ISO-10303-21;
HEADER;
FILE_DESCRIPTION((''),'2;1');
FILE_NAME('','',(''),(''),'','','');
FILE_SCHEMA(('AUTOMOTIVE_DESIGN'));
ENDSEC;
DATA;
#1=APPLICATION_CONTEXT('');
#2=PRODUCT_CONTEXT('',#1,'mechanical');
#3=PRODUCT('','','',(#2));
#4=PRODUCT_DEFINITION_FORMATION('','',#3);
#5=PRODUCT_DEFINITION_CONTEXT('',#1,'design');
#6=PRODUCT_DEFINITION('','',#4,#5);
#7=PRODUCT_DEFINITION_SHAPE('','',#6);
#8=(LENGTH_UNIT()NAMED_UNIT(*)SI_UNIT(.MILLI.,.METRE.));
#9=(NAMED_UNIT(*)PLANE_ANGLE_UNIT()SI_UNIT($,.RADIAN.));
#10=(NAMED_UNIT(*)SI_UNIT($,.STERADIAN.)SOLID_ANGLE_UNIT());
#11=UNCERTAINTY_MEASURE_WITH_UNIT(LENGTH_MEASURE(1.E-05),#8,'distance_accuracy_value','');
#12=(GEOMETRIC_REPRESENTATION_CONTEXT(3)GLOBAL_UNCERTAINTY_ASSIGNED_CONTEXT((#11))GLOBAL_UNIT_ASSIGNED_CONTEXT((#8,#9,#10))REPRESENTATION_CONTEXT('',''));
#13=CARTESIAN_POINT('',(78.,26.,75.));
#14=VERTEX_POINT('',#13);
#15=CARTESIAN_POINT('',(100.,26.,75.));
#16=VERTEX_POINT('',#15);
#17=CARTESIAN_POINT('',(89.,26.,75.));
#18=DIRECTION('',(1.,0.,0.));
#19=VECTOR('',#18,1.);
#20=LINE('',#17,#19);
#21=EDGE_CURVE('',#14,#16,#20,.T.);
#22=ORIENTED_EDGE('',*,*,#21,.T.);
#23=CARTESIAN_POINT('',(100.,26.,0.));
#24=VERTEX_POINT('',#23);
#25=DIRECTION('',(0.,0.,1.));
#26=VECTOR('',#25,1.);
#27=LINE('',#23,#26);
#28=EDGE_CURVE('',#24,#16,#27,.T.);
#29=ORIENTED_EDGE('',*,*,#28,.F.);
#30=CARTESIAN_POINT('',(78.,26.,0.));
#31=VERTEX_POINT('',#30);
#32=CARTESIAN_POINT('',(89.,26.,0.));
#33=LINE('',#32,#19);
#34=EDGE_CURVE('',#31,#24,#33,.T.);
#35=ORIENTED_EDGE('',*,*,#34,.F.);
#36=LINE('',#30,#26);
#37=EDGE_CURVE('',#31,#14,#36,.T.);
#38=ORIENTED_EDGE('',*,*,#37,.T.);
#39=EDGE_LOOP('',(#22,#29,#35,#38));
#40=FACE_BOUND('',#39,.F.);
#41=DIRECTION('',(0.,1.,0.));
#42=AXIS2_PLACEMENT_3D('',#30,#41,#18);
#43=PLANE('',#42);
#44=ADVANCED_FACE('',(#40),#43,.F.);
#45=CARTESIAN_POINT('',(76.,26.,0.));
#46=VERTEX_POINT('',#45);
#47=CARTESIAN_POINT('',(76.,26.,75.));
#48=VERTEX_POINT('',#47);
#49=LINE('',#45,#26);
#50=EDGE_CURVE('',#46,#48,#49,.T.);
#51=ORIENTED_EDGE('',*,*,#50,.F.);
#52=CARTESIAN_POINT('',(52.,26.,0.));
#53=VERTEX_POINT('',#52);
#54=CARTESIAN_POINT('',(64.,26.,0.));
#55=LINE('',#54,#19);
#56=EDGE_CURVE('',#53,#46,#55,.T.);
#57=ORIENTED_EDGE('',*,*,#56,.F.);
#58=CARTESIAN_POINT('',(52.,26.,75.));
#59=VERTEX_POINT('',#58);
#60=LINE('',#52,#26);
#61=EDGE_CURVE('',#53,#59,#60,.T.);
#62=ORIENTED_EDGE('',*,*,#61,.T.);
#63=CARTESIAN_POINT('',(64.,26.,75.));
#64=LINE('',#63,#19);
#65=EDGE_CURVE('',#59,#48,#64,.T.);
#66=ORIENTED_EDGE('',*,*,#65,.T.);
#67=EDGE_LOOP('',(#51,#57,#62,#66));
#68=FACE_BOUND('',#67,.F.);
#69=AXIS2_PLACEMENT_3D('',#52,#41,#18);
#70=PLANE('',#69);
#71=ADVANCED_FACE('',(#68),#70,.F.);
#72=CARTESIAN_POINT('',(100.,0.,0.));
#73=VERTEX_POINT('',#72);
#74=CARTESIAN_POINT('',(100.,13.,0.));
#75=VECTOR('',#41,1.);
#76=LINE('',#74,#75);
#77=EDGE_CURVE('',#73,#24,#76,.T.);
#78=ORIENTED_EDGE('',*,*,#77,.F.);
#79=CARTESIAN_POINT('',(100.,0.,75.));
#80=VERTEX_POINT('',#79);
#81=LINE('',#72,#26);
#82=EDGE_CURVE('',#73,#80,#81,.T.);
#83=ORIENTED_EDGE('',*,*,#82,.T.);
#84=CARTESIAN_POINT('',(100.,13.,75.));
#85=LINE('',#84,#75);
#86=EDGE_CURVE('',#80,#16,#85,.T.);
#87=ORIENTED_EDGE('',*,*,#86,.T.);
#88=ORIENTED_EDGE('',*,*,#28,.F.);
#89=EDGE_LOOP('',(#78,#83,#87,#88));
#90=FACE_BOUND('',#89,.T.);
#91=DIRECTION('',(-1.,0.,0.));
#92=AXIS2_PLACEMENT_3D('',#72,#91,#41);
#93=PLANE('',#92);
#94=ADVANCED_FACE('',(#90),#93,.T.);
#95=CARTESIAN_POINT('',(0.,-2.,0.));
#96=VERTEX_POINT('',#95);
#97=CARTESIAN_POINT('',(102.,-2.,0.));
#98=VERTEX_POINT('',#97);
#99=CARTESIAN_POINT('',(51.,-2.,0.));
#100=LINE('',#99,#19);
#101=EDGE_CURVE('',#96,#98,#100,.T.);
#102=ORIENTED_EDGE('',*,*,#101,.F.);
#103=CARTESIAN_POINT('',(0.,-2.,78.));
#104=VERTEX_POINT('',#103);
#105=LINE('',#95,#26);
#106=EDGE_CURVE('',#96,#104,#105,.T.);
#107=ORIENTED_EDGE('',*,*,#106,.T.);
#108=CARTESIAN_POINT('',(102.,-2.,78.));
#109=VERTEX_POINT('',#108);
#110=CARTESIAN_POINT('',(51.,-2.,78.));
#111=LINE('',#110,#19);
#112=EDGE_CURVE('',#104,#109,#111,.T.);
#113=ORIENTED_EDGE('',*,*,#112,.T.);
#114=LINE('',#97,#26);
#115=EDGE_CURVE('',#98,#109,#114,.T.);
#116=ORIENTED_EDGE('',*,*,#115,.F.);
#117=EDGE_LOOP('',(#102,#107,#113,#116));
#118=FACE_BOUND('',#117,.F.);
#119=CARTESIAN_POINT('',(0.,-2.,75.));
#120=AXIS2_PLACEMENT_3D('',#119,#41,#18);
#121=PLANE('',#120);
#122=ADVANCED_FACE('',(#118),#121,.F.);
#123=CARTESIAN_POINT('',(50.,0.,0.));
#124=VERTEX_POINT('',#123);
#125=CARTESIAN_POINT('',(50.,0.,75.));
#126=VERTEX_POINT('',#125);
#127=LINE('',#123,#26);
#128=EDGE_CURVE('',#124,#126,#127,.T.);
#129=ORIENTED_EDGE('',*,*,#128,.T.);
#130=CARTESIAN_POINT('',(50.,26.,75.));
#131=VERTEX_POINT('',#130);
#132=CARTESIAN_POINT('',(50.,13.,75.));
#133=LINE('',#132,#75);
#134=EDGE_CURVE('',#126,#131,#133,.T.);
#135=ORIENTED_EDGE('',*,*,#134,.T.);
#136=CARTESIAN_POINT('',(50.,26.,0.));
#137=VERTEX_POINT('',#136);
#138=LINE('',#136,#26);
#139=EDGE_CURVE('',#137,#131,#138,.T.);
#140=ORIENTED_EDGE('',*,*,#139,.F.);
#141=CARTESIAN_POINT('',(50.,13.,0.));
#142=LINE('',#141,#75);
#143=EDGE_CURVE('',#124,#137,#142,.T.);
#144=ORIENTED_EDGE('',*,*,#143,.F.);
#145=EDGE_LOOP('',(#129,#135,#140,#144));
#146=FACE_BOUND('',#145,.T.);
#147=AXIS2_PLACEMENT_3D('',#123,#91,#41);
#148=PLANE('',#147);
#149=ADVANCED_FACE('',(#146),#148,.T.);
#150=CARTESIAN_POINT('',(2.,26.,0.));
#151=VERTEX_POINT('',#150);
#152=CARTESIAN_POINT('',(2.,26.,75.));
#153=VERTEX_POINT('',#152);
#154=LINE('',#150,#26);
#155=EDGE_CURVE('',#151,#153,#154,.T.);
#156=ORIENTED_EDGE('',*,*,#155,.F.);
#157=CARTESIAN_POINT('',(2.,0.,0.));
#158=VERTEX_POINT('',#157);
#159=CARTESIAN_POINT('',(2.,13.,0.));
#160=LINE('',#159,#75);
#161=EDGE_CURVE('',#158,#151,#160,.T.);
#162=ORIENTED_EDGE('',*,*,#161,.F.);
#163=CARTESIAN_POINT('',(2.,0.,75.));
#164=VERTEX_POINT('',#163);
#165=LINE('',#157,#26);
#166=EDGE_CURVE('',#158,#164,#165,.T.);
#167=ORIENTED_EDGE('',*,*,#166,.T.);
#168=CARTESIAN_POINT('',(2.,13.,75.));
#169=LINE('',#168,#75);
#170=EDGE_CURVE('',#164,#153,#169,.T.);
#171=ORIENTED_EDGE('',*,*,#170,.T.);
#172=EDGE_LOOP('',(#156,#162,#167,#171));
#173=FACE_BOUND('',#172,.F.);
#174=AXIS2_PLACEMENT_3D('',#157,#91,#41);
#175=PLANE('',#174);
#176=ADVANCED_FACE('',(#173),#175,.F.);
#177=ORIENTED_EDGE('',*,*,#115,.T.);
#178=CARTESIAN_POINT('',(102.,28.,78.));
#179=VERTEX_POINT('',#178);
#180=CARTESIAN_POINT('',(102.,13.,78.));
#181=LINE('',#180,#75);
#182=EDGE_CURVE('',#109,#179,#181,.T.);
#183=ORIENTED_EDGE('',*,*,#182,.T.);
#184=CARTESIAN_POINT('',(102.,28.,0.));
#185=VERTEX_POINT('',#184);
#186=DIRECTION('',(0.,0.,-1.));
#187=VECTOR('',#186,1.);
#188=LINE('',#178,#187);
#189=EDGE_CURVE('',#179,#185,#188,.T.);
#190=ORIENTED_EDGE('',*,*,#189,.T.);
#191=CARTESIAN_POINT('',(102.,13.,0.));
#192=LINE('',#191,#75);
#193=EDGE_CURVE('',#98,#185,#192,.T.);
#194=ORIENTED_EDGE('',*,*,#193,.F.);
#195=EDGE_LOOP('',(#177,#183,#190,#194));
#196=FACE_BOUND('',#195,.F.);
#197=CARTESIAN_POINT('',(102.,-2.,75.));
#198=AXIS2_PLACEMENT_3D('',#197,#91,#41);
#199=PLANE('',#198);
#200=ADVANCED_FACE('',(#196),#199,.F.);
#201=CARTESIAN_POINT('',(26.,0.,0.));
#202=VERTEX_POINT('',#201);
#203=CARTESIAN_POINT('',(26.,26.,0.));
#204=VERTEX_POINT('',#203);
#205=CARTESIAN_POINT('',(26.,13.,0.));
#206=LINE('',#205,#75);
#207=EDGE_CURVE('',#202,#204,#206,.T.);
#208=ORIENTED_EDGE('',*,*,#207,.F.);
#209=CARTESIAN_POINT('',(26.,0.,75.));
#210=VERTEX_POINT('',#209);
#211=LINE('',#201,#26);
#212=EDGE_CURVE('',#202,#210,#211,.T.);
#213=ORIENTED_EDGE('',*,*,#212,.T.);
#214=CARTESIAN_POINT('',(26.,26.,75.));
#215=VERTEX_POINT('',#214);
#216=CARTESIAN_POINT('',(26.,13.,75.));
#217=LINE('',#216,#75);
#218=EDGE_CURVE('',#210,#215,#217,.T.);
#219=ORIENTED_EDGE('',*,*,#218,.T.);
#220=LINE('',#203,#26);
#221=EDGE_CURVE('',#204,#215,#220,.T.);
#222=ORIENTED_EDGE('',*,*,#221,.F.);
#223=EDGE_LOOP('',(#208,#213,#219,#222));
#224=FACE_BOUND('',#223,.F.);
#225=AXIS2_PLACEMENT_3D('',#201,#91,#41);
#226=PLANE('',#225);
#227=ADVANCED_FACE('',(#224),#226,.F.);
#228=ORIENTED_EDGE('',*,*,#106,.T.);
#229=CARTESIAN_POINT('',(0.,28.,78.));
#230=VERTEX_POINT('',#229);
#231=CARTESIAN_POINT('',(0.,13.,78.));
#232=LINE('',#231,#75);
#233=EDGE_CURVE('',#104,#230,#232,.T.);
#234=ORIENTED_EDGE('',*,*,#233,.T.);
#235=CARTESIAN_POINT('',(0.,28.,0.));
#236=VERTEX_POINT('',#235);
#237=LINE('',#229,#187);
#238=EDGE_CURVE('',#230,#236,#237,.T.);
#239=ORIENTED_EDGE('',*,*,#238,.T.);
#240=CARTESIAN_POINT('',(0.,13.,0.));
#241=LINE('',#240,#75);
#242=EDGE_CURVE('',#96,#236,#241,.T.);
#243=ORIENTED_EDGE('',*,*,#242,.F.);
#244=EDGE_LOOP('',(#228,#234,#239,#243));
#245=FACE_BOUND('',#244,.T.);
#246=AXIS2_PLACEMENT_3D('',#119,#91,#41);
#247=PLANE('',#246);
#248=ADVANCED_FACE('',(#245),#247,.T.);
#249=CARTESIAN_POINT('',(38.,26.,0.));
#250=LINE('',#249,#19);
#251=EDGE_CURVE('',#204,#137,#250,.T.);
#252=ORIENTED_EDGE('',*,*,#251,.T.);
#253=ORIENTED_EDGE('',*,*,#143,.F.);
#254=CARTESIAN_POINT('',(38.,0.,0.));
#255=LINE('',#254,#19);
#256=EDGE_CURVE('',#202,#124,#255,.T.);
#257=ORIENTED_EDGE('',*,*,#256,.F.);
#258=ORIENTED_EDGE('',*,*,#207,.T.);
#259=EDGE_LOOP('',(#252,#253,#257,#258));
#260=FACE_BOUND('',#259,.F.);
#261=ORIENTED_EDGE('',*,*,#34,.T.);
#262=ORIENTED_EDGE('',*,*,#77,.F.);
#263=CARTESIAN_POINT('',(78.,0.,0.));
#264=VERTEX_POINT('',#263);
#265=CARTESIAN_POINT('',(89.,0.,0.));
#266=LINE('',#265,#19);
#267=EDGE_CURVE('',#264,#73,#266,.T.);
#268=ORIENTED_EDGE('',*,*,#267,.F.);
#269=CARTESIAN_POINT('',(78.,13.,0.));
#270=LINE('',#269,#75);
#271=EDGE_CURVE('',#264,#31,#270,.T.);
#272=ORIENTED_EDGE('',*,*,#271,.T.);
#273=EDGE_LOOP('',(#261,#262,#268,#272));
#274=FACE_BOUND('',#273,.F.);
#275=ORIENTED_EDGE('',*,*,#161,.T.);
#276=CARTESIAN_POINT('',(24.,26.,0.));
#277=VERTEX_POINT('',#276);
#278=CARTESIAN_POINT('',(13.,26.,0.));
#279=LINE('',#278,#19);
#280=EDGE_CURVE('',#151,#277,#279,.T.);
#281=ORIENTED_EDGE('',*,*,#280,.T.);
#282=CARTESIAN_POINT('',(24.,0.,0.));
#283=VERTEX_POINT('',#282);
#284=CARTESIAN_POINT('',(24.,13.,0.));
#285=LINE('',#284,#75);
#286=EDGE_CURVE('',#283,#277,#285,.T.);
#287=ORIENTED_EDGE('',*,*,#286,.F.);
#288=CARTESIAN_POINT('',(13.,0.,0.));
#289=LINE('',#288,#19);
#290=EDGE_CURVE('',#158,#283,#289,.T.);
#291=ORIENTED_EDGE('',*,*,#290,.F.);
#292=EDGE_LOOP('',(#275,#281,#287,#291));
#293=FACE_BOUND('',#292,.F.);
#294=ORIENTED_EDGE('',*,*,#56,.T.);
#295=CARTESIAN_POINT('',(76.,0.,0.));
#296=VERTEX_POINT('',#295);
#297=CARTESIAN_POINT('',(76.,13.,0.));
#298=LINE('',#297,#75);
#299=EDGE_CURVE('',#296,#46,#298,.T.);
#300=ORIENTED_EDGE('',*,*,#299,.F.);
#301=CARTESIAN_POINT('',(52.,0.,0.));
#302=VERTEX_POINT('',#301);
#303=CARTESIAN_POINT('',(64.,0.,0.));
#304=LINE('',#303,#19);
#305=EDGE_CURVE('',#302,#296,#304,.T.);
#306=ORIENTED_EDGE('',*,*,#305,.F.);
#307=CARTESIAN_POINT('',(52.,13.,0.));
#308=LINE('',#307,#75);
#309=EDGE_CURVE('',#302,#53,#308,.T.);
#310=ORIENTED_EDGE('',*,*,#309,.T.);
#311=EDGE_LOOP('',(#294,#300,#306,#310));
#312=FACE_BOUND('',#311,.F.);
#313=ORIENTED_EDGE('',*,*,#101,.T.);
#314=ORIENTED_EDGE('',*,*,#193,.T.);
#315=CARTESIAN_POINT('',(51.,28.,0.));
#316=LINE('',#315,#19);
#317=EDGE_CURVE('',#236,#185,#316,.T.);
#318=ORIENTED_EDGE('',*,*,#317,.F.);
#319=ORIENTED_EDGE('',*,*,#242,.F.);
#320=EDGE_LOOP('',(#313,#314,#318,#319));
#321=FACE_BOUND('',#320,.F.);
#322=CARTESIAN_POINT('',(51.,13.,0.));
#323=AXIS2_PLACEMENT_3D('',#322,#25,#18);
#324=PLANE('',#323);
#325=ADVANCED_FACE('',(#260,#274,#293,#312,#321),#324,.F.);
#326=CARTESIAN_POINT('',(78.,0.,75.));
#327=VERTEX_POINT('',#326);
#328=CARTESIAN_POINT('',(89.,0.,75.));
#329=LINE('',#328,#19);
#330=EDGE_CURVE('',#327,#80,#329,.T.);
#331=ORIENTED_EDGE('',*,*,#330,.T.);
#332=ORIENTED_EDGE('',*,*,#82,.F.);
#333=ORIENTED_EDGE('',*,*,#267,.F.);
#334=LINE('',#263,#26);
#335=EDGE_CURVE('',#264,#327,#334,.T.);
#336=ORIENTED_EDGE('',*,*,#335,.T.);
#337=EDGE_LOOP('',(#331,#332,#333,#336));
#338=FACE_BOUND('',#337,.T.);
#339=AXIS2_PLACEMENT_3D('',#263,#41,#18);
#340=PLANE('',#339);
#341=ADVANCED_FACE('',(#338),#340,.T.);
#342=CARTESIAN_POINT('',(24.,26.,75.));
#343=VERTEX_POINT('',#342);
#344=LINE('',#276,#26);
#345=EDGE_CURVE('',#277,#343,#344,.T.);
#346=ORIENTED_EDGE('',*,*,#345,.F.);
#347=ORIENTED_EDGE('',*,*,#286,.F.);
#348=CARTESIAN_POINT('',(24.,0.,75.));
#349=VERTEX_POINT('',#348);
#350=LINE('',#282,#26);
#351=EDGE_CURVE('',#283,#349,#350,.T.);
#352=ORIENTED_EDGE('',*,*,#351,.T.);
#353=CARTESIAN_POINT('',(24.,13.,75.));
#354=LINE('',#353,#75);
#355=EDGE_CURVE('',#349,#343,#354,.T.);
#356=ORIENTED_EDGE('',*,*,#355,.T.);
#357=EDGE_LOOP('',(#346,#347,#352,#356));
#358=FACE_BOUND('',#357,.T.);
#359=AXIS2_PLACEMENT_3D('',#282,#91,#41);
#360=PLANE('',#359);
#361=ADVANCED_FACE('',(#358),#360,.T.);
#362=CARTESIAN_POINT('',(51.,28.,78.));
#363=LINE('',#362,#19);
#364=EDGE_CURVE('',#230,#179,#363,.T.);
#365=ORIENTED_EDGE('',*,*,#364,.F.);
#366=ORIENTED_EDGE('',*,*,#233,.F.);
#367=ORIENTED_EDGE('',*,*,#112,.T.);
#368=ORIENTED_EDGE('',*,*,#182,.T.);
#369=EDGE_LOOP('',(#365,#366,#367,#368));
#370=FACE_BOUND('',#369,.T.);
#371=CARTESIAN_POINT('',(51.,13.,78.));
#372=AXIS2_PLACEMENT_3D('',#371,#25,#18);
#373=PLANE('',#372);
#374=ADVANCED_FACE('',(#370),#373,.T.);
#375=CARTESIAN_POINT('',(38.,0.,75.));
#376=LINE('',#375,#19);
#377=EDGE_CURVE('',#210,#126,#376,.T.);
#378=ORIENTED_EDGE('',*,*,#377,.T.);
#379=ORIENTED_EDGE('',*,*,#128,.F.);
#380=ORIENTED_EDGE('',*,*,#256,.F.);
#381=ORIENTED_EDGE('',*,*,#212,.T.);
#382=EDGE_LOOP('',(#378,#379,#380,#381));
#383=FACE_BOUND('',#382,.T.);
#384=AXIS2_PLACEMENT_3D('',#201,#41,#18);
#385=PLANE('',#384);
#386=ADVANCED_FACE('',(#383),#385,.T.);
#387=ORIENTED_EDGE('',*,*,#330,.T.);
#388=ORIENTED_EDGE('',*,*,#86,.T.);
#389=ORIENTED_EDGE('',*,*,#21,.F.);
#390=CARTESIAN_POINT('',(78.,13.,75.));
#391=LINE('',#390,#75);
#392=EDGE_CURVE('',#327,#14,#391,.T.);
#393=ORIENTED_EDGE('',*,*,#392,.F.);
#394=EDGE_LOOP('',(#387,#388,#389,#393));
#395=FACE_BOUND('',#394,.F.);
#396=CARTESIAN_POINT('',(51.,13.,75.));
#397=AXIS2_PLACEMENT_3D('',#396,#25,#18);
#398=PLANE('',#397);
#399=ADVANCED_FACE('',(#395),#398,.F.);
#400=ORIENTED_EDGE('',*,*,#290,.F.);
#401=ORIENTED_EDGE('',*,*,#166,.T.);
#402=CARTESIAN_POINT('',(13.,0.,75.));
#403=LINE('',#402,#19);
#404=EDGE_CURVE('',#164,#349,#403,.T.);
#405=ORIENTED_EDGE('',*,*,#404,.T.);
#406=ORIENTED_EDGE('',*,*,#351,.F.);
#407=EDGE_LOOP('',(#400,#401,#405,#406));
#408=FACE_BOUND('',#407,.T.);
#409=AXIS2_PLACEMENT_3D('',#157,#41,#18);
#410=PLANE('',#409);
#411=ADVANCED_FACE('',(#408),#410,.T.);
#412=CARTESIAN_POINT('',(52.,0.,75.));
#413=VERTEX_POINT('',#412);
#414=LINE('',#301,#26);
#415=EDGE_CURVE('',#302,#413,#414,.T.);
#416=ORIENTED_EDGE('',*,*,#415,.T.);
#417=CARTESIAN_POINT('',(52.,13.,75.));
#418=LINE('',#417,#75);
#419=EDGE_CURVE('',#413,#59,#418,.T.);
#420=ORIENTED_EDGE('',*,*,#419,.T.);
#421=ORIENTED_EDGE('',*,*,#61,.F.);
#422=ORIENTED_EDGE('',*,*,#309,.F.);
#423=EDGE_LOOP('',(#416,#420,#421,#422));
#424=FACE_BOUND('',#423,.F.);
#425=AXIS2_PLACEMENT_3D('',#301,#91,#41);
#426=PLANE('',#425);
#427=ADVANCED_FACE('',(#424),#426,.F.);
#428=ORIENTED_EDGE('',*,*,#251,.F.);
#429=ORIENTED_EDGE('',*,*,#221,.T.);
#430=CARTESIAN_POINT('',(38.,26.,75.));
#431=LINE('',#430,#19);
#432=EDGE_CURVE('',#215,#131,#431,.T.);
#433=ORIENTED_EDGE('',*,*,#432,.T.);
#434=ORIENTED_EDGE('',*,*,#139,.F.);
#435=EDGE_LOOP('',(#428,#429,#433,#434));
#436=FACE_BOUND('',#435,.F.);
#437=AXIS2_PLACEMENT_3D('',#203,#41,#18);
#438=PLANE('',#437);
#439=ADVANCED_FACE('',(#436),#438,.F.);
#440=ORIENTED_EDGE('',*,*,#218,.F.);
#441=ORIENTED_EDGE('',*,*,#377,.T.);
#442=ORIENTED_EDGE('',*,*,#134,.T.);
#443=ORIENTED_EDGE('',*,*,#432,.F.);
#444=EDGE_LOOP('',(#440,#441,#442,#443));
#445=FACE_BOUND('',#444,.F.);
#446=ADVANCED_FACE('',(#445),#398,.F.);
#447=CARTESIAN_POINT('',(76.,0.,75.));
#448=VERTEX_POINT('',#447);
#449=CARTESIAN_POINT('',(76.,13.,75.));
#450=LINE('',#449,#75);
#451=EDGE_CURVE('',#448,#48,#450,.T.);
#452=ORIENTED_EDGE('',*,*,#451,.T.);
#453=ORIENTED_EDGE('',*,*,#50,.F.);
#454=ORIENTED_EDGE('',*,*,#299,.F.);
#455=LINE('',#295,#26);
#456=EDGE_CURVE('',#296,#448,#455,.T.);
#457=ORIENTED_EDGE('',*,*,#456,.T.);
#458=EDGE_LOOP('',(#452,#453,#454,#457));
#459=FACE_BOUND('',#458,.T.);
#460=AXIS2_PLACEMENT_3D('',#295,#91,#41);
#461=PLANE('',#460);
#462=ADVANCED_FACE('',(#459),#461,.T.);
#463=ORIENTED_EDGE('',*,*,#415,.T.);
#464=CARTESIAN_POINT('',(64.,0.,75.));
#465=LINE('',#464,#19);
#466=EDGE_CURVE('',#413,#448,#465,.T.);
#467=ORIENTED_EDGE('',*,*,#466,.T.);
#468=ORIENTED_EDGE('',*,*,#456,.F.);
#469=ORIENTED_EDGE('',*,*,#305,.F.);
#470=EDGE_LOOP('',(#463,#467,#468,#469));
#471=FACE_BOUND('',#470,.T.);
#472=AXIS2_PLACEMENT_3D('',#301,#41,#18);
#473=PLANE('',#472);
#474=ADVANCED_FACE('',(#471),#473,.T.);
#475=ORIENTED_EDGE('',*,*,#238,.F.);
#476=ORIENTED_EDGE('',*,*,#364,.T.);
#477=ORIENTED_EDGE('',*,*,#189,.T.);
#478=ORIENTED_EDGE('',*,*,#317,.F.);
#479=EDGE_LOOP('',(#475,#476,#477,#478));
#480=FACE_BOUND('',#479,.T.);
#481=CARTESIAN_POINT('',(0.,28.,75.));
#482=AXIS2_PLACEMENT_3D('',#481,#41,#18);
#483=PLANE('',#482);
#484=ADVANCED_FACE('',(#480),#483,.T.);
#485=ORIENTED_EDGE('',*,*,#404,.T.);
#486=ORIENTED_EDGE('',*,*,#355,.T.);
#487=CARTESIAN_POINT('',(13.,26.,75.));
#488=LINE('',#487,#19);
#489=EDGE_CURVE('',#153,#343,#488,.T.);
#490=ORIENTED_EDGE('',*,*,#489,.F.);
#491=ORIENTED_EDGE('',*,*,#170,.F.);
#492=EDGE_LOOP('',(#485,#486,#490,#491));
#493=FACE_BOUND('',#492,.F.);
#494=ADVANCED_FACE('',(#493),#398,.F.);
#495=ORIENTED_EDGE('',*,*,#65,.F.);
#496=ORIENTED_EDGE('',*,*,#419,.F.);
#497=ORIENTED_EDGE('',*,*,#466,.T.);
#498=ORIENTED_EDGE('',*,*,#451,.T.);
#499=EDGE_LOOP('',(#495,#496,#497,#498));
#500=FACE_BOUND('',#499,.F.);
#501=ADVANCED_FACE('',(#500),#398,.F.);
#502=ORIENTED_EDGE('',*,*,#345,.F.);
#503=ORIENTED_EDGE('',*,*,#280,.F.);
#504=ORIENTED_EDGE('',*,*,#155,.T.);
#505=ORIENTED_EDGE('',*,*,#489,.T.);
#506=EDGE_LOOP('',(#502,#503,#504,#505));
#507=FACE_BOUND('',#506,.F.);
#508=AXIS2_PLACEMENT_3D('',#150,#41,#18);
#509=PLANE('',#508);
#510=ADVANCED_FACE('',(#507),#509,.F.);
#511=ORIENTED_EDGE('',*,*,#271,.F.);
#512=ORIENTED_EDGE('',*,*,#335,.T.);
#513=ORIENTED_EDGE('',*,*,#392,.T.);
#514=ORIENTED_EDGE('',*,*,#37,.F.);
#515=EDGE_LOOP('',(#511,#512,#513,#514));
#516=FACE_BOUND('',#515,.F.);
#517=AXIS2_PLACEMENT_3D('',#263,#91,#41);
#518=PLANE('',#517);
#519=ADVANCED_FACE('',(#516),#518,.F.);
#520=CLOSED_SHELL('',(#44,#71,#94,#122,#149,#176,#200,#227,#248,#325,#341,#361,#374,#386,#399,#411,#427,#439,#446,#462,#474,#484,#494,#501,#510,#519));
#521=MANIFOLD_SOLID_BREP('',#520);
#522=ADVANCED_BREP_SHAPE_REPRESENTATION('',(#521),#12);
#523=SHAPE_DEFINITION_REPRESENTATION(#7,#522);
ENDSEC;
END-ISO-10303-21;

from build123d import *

# Parameters (mm, degrees)
F0_W     = 102
F0_H     = 30
F0_W_2   = 22
F0_H_2   = 26
F0_W_3   = 24
F1_DEPTH = 75
F2_W     = 102
F2_H     = 30
F3_DEPTH = 3


with BuildPart() as f1:
    # F0 (on Top) → F1 (new body)
    with BuildSketch(Plane.XY):
        with Locations((51, 13)):
            Rectangle(F0_W, F0_H)
        with Locations((13, 13)):
            Rectangle(F0_W_2, F0_H_2, mode=Mode.SUBTRACT)
        with Locations((38, 13)):
            Rectangle(F0_W_3, F0_H_2, mode=Mode.SUBTRACT)
        with Locations((64, 13)):
            Rectangle(F0_W_3, F0_H_2, mode=Mode.SUBTRACT)
        with Locations((89, 13)):
            Rectangle(F0_W_2, F0_H_2, mode=Mode.SUBTRACT)
    extrude(amount=F1_DEPTH)

    # F2 (on face) → F3 (join)
    with BuildSketch(Plane.XY.offset(75)):
        with Locations((51, 13)):
            Rectangle(F2_W, F2_H)
    extrude(amount=F3_DEPTH)


solid = f1.part
